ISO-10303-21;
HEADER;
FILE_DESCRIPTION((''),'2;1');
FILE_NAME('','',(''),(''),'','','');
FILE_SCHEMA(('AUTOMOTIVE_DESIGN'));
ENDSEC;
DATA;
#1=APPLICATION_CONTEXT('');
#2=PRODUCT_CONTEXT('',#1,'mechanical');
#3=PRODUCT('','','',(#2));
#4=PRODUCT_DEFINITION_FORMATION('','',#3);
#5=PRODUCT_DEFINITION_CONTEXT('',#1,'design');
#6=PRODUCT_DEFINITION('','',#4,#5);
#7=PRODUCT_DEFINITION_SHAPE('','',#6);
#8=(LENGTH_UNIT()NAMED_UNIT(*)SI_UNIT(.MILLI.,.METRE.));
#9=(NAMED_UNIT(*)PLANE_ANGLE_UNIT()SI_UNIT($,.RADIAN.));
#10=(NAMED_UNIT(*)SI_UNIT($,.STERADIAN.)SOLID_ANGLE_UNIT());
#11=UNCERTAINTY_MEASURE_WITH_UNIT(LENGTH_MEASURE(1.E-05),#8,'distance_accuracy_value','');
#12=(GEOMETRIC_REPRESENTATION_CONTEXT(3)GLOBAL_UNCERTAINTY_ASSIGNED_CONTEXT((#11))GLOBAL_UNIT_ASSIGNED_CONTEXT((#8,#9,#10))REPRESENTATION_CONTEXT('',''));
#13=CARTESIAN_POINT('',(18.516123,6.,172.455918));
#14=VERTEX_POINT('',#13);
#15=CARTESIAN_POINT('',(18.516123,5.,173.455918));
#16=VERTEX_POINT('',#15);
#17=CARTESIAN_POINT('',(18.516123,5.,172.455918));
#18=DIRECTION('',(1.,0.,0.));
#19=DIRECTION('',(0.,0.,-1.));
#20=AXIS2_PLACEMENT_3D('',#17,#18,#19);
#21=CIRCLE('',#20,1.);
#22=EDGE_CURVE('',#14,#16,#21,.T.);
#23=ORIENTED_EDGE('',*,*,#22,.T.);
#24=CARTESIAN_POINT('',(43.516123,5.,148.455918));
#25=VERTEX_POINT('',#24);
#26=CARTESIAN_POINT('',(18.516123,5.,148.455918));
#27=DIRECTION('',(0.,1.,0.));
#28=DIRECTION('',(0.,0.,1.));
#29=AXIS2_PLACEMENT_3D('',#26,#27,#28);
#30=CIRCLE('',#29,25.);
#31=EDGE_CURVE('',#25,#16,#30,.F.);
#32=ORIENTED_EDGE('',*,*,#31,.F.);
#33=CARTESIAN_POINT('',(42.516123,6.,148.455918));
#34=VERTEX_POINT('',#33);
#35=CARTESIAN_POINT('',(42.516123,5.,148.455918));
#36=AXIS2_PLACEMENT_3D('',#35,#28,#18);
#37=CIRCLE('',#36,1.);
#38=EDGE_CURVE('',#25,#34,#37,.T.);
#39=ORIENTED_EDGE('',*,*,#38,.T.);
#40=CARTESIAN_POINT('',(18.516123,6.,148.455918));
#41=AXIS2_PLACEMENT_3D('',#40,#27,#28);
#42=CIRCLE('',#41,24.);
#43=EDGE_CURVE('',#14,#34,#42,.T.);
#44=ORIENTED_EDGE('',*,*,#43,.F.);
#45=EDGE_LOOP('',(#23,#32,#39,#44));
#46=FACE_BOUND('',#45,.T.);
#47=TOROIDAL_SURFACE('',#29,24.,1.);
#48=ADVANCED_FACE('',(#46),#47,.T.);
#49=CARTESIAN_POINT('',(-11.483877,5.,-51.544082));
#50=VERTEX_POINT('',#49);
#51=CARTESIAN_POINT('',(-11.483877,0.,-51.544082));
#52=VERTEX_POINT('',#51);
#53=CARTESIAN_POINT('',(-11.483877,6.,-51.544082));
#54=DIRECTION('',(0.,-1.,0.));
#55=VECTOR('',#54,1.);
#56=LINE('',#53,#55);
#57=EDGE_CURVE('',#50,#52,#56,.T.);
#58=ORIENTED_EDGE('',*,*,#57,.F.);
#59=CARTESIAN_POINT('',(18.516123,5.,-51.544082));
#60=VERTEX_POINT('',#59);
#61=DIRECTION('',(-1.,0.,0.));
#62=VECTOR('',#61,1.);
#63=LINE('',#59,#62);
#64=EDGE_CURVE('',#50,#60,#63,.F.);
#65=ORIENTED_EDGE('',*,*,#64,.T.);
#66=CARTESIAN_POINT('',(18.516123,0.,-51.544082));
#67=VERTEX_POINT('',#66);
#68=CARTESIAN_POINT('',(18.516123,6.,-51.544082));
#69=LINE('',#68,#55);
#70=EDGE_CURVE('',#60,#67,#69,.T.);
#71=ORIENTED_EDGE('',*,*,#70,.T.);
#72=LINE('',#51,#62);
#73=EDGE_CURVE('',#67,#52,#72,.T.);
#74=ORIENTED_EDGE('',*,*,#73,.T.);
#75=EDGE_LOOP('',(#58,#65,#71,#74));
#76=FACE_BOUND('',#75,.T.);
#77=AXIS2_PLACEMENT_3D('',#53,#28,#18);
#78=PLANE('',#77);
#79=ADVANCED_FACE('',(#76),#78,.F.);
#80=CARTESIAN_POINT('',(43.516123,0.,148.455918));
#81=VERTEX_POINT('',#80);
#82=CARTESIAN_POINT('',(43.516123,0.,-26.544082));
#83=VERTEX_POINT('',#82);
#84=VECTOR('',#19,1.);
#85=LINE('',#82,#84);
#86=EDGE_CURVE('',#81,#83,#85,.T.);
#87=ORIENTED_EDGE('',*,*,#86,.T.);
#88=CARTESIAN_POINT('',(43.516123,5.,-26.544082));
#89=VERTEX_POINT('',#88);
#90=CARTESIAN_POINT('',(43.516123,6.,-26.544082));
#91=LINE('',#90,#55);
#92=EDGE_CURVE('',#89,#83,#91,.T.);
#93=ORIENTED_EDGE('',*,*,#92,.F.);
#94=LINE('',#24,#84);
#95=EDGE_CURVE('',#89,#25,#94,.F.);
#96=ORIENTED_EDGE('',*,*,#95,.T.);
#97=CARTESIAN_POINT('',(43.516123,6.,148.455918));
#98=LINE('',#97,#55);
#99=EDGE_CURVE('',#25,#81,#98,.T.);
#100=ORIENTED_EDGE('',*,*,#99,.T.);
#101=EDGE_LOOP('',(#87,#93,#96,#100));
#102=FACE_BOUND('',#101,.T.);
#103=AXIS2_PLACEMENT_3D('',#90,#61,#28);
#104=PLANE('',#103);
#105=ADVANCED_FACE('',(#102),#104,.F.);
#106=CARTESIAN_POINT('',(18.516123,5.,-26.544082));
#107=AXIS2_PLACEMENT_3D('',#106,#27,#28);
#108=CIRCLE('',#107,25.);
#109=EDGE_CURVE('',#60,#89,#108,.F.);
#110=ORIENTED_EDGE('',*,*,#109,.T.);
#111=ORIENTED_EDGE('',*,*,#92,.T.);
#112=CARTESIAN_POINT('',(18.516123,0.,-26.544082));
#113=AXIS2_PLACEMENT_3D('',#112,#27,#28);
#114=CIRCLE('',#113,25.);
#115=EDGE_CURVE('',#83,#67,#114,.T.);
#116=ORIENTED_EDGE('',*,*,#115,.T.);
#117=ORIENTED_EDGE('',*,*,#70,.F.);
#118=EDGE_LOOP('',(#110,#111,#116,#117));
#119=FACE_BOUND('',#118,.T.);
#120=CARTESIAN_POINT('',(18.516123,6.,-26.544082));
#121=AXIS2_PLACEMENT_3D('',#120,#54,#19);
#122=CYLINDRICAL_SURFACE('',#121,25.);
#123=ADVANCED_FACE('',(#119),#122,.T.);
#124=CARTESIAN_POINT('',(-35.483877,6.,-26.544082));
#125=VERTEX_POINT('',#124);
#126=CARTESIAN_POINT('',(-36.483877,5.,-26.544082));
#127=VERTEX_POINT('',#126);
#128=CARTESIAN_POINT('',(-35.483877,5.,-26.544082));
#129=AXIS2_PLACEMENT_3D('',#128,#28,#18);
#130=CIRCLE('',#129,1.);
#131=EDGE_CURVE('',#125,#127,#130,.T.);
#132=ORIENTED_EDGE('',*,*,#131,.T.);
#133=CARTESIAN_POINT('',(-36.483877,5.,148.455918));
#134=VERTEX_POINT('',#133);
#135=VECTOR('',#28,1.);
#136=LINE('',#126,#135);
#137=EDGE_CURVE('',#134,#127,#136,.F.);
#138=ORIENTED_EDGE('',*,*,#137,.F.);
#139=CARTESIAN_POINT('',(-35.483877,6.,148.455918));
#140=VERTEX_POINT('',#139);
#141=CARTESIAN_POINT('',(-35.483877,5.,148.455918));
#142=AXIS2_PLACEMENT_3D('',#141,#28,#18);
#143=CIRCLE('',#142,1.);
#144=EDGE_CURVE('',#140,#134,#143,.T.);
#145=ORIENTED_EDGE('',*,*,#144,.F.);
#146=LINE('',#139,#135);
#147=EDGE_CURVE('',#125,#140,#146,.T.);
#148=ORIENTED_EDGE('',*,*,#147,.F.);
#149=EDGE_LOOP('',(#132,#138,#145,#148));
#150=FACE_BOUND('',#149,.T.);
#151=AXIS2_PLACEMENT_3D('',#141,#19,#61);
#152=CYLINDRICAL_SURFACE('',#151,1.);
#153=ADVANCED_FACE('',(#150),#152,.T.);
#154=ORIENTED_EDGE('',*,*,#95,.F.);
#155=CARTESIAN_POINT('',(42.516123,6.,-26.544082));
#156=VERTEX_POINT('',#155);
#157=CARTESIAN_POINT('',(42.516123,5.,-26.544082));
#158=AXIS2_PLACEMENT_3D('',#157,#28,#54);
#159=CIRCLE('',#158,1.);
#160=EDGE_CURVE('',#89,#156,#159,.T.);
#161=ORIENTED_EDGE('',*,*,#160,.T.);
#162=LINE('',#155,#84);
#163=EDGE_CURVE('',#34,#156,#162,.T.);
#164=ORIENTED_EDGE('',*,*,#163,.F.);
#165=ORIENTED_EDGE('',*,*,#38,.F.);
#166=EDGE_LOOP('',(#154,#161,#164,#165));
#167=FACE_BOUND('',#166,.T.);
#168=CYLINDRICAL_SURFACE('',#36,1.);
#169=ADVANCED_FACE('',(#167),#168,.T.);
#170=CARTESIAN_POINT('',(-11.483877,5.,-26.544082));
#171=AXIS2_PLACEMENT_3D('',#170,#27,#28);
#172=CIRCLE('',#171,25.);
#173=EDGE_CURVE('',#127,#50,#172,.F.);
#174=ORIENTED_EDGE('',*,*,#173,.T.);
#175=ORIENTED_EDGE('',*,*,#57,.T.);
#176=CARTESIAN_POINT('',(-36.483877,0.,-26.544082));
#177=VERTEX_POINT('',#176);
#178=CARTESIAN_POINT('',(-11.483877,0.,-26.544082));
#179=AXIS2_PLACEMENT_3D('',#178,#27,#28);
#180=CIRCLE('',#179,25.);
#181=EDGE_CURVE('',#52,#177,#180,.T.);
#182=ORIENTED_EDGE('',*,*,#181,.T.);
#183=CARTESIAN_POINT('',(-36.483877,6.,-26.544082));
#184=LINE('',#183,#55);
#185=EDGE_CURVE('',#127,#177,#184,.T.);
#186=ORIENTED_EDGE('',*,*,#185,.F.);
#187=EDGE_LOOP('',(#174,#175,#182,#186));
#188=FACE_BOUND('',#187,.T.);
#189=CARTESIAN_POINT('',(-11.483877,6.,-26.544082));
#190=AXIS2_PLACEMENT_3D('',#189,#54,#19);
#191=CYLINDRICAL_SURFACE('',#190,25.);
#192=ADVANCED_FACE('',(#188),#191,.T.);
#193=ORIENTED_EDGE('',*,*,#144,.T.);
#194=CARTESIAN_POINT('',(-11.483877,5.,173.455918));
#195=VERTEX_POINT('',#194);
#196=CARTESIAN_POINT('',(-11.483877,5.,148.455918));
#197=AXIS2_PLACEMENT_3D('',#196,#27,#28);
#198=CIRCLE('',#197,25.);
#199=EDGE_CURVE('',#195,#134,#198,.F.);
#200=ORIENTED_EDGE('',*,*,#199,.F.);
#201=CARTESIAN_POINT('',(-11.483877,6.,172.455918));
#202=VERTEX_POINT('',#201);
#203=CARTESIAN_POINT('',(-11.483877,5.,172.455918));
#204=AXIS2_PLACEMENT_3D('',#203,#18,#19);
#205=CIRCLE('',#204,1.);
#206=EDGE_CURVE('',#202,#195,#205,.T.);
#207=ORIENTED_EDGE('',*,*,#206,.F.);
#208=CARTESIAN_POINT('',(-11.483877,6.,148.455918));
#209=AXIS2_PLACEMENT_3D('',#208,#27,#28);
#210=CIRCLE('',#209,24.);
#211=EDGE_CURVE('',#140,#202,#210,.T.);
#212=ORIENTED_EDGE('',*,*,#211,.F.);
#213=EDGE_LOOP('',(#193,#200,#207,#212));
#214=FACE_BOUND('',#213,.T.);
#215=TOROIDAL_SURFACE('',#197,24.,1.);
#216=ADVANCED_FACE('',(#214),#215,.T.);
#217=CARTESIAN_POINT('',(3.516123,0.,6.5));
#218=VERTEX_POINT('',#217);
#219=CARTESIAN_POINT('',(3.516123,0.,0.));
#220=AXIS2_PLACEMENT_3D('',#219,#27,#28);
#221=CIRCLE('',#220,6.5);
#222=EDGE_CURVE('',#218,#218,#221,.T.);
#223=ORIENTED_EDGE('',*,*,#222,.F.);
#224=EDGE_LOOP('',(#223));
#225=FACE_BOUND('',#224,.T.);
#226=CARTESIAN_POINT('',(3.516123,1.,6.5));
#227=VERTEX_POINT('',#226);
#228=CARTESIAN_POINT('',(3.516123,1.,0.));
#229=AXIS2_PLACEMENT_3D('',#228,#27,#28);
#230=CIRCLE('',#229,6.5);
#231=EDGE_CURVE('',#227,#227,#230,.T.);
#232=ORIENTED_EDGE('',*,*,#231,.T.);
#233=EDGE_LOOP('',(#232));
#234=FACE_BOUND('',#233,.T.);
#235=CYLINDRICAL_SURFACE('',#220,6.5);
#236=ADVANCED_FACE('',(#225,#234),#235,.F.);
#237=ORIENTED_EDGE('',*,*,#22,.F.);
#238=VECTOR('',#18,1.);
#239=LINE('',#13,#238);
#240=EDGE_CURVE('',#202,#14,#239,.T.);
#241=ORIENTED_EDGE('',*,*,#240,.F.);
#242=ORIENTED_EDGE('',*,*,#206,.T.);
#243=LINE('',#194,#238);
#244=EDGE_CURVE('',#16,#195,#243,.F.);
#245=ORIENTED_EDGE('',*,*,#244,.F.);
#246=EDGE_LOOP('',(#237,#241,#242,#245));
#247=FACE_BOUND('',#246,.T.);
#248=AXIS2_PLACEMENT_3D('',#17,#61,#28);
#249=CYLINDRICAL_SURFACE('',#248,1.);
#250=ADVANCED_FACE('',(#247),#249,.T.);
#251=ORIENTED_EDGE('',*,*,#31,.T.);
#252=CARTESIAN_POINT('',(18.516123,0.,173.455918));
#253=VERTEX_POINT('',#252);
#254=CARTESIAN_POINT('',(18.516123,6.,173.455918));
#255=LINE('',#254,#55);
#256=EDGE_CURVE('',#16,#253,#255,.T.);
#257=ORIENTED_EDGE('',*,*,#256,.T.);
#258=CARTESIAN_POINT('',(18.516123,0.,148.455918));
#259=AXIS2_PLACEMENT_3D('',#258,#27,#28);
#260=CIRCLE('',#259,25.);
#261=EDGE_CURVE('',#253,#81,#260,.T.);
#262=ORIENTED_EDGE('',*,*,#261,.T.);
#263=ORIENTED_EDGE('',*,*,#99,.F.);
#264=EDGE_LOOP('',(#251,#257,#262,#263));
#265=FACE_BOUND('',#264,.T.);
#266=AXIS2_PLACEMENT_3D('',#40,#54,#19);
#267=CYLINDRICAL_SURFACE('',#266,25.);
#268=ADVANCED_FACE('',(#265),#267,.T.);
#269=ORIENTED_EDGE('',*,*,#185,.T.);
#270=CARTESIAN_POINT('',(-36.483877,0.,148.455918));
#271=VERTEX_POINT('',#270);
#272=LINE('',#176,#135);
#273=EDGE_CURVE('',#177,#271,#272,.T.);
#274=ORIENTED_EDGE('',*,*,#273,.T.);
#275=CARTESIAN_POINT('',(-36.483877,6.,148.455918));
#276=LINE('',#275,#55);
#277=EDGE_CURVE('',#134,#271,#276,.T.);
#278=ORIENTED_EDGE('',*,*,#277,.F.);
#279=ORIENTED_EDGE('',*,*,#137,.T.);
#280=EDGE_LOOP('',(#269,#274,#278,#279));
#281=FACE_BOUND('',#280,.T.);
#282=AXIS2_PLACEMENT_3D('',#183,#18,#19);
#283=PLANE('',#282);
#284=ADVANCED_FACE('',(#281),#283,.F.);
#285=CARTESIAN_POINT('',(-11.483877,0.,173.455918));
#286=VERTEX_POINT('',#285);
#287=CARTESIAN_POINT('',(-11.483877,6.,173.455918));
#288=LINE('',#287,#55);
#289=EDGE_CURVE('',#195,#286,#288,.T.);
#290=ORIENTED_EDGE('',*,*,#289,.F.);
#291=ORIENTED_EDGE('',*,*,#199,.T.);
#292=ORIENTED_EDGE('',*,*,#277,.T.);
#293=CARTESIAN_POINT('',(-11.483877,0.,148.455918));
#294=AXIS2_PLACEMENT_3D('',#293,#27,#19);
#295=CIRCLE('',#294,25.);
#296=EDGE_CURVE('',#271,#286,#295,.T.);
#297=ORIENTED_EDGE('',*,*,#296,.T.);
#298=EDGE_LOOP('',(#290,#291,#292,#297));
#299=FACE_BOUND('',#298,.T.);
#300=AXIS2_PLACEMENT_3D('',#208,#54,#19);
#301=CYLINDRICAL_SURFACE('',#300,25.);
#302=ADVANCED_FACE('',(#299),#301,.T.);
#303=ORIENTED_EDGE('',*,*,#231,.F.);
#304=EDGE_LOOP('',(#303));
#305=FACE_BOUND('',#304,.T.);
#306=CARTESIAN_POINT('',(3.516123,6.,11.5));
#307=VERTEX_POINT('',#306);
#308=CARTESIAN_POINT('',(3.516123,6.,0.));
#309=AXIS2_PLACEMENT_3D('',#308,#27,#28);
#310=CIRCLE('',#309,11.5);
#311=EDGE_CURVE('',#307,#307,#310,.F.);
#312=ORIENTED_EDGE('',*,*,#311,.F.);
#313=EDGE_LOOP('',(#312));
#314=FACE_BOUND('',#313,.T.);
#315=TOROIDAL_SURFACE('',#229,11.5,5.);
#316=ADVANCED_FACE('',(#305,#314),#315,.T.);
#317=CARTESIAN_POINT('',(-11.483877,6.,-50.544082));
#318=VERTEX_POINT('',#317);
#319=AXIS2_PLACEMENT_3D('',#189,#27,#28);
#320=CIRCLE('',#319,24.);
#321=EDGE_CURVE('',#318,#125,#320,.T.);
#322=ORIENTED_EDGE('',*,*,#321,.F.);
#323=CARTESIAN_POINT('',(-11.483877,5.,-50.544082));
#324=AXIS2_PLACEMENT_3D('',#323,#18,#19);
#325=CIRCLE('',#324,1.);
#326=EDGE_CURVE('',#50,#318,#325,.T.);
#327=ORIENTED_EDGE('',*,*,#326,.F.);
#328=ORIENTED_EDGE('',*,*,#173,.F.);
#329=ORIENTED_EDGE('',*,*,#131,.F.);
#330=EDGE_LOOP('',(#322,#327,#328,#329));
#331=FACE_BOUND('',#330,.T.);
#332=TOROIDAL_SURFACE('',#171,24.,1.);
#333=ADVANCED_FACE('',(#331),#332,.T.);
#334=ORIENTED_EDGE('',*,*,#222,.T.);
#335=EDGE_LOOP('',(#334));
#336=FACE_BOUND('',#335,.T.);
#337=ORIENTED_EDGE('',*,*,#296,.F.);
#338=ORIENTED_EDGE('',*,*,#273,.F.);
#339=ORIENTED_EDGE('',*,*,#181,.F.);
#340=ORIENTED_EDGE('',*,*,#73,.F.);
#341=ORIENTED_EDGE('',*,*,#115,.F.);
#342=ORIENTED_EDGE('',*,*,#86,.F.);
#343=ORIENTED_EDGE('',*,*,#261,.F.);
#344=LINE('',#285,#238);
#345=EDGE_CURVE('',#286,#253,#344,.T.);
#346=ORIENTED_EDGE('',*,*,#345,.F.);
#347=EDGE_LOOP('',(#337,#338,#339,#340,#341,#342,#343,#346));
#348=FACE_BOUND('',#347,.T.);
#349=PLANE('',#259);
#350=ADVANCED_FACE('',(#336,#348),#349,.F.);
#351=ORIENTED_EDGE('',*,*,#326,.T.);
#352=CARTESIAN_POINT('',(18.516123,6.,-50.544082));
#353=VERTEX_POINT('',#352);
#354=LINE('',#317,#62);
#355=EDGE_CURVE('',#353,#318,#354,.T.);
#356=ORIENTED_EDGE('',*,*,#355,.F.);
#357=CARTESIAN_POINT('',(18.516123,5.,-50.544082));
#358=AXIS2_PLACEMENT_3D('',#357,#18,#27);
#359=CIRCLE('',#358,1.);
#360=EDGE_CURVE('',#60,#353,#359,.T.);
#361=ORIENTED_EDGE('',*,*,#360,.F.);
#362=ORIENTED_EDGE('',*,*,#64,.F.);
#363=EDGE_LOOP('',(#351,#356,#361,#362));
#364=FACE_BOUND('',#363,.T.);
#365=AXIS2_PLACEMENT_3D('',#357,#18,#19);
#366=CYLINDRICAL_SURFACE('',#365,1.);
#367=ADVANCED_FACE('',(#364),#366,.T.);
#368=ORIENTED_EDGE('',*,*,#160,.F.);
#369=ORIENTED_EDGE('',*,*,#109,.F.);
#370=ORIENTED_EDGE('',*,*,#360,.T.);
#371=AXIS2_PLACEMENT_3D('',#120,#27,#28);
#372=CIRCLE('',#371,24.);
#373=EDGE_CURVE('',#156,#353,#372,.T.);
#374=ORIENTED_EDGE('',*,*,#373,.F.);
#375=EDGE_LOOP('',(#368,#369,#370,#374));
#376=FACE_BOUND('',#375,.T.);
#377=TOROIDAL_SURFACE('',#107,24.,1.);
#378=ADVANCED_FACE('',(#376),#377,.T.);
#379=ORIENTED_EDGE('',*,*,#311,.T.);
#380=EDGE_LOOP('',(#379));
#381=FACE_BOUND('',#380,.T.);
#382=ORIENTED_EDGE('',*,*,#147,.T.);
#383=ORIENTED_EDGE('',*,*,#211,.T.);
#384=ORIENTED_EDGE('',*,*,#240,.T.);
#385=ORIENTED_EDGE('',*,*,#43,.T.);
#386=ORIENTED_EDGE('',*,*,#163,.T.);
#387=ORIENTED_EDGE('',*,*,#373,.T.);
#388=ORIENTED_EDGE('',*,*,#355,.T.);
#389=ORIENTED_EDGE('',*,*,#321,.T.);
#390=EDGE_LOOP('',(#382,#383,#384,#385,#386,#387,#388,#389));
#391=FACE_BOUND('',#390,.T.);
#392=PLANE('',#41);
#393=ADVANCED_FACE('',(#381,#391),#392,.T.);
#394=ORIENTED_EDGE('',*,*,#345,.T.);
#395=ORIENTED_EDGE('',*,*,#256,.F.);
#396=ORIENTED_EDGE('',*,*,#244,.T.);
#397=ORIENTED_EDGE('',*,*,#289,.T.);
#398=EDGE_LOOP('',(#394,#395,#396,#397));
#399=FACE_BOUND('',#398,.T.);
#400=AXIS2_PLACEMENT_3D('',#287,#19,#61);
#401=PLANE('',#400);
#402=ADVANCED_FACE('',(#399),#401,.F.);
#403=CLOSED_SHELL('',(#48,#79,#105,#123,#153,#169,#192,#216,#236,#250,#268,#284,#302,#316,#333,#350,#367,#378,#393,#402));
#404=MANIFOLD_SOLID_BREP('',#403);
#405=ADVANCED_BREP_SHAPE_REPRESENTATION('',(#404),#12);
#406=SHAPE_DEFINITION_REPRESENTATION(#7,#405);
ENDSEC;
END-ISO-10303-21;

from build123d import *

# Parameters (mm, degrees)
EXTRUDE_1_DEPTH     = 6
FILLET_1_R          = 1
SKETCH_2_R          = 6.5
CUT_EXTRUDE_1_DEPTH = 179.931854445
FILLET_2_R          = 5


with BuildPart() as part:
    # 草图1 → 凸台-拉伸1 (new body)
    with BuildSketch(Plane(origin=(0, 0, 0), x_dir=(1, 0, 0), z_dir=(0, 1, 0))):
        with BuildLine():
            Line((-11.483876828, 51.544081798), (18.516123172, 51.544081798))
            ThreePointArc((18.516123172, 51.544081798), (36.193792702, 44.221751328), (43.516123172, 26.544081798))
            Line((43.516123172, 26.544081798), (43.516123172, -148.455918202))
            ThreePointArc((43.516123172, -148.455918202), (36.193792702, -166.133587732), (18.516123172, -173.455918202))
            Line((18.516123172, -173.455918202), (-11.483876828, -173.455918202))
            ThreePointArc((-11.483876828, -173.455918202), (-29.161546358, -166.133587732), (-36.483876828, -148.455918202))
            Line((-36.483876828, -148.455918202), (-36.483876828, 26.544081798))
            ThreePointArc((-36.483876828, 26.544081798), (-29.161546358, 44.221751328), (-11.483876828, 51.544081798))
        make_face()
    extrude(amount=EXTRUDE_1_DEPTH)

    # 圆角1
    fillet_1_edges = [part.edges().sort_by_distance(p)[0] for p in [
        (36.193792702, 6, -44.221751328),
        (3.516123172, 6, -51.544081798),
        (-29.161546358, 6, -44.221751328),
        (-36.483876828, 6, 60.955918202),
        (-29.161546358, 6, 166.133587732),
        (3.516123172, 6, 173.455918202),
        (36.193792702, 6, 166.133587732),
        (43.516123172, 6, 60.955918202),
    ]]
    fillet(fillet_1_edges, radius=FILLET_1_R)

    # 草图2 → 切除-拉伸1 (cut, through all)
    with BuildSketch(Plane(origin=(0, 6, 0), x_dir=(1, 0, 0), z_dir=(0, 1, 0))):
        with Locations(Location((3.516123172, 0, 0), (0, 0, 270))):
            Circle(SKETCH_2_R)
    extrude(amount=-CUT_EXTRUDE_1_DEPTH, mode=Mode.SUBTRACT)

    # 圆角2
    fillet_2_edges = [part.edges().sort_by_distance(p)[0] for p in [
        (3.516123172, 6, -6.5),
    ]]
    fillet(fillet_2_edges, radius=FILLET_2_R)


solid = part.part
